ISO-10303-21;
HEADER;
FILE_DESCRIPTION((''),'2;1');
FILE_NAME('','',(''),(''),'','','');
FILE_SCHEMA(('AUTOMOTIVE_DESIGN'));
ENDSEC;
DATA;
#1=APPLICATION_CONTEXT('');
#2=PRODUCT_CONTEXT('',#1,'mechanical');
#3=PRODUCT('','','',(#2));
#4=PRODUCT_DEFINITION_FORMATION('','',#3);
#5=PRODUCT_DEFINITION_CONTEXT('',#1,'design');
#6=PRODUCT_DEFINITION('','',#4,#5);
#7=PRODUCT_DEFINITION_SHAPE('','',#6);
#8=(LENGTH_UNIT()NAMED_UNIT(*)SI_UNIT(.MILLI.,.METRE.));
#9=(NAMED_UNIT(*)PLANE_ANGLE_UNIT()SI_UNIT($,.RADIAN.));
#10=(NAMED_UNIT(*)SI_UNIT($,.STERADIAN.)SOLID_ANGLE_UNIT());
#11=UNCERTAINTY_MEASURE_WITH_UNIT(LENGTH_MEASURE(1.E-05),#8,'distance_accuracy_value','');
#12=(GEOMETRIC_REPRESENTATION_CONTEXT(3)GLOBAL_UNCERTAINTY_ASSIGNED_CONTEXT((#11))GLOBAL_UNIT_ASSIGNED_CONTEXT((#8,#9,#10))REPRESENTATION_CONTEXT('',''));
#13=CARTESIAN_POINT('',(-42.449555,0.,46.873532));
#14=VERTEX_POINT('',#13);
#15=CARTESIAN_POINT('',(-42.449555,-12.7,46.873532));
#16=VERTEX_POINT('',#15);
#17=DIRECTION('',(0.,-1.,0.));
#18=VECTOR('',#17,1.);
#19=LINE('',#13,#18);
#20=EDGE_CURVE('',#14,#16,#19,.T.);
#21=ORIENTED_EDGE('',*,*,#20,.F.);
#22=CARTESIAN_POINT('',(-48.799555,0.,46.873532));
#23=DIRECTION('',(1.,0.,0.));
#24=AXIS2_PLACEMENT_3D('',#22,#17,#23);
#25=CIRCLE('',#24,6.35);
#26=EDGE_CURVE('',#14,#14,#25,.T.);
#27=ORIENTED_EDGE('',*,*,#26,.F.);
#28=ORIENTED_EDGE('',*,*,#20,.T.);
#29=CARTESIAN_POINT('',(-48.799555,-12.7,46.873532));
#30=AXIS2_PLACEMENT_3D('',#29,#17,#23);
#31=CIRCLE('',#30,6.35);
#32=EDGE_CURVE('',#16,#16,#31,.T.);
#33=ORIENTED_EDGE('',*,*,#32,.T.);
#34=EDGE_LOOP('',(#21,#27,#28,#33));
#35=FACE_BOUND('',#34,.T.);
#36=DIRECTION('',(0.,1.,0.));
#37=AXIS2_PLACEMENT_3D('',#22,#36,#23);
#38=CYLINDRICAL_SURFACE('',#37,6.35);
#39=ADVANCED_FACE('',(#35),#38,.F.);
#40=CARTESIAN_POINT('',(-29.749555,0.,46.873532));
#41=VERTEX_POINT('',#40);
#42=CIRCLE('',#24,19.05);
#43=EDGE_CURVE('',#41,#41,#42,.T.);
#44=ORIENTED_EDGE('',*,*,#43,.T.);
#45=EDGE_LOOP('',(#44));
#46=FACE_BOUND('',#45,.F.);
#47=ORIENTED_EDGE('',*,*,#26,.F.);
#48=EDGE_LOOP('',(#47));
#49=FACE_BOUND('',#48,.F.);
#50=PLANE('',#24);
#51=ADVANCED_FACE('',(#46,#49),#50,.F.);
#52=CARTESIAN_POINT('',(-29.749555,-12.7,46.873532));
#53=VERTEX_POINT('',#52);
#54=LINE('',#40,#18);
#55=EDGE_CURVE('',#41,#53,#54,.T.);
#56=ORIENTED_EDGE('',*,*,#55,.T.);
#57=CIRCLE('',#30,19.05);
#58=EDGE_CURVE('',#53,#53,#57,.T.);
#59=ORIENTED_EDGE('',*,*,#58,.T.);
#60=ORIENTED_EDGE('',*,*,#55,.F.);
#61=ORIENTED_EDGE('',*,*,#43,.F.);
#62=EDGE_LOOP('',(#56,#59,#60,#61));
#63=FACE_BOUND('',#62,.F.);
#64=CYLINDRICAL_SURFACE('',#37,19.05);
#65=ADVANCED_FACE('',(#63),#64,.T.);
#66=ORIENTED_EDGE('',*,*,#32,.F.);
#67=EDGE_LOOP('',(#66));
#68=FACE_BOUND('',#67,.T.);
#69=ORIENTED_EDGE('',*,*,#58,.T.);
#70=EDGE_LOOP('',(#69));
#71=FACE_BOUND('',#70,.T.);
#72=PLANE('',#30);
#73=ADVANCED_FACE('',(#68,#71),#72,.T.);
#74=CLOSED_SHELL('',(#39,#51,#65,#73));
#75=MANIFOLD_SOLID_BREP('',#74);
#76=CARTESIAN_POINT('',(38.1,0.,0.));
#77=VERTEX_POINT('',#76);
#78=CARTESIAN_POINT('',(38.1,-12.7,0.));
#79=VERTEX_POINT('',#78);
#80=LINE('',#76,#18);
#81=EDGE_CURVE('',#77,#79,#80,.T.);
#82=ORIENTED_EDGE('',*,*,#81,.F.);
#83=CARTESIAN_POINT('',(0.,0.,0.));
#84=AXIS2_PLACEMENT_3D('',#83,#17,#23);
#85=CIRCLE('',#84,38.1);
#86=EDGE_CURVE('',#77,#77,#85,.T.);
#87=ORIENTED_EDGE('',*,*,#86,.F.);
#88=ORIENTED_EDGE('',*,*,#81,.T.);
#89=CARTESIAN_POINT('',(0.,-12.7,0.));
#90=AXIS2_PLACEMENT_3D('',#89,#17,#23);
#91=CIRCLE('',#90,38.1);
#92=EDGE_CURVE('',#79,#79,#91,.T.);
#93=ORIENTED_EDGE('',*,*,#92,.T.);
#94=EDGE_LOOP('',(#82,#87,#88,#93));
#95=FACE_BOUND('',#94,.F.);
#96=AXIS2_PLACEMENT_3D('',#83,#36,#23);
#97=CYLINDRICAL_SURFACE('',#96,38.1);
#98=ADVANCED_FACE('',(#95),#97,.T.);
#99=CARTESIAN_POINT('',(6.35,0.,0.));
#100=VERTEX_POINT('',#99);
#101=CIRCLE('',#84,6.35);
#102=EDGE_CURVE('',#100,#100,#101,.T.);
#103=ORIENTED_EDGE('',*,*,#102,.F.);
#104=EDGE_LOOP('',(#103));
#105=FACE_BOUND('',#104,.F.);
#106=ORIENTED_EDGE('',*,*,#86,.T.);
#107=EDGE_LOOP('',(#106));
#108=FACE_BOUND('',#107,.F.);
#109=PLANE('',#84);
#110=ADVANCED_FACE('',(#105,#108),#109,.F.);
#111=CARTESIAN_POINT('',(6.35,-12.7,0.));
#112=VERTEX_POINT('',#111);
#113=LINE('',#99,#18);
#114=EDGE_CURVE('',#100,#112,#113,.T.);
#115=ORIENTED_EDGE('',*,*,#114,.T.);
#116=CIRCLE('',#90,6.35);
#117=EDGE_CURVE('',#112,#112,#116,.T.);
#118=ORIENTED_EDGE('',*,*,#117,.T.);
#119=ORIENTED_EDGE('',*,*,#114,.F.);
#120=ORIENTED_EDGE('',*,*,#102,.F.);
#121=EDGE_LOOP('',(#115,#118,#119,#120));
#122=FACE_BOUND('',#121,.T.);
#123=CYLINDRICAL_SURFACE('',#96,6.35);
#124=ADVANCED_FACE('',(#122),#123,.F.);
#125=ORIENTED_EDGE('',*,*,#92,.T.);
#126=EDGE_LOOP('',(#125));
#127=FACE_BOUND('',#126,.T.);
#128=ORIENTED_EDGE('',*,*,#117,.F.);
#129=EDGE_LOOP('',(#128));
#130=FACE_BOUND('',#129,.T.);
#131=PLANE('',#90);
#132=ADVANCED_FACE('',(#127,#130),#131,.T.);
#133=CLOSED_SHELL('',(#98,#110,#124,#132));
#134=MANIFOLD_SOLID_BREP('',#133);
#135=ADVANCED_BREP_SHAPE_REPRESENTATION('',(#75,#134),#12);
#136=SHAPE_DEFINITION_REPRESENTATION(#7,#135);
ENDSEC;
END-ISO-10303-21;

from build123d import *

# Parameters (mm, degrees)
F0_R     = 38.1
F0_R_2   = 6.35
F0_R_3   = 19.05
F1_DEPTH = 12.7


with BuildPart() as f1:
    # F0 (on Front) → F1 (new body)
    with BuildSketch(Plane.XZ):
        Circle(F0_R)
        Circle(F0_R_2, mode=Mode.SUBTRACT)
        with Locations((-48.799555, 46.873532)):
            Circle(F0_R_3)
        with Locations((-48.799555, 46.873532)):
            Circle(F0_R_2, mode=Mode.SUBTRACT)
    extrude(amount=F1_DEPTH)


solid = f1.part
